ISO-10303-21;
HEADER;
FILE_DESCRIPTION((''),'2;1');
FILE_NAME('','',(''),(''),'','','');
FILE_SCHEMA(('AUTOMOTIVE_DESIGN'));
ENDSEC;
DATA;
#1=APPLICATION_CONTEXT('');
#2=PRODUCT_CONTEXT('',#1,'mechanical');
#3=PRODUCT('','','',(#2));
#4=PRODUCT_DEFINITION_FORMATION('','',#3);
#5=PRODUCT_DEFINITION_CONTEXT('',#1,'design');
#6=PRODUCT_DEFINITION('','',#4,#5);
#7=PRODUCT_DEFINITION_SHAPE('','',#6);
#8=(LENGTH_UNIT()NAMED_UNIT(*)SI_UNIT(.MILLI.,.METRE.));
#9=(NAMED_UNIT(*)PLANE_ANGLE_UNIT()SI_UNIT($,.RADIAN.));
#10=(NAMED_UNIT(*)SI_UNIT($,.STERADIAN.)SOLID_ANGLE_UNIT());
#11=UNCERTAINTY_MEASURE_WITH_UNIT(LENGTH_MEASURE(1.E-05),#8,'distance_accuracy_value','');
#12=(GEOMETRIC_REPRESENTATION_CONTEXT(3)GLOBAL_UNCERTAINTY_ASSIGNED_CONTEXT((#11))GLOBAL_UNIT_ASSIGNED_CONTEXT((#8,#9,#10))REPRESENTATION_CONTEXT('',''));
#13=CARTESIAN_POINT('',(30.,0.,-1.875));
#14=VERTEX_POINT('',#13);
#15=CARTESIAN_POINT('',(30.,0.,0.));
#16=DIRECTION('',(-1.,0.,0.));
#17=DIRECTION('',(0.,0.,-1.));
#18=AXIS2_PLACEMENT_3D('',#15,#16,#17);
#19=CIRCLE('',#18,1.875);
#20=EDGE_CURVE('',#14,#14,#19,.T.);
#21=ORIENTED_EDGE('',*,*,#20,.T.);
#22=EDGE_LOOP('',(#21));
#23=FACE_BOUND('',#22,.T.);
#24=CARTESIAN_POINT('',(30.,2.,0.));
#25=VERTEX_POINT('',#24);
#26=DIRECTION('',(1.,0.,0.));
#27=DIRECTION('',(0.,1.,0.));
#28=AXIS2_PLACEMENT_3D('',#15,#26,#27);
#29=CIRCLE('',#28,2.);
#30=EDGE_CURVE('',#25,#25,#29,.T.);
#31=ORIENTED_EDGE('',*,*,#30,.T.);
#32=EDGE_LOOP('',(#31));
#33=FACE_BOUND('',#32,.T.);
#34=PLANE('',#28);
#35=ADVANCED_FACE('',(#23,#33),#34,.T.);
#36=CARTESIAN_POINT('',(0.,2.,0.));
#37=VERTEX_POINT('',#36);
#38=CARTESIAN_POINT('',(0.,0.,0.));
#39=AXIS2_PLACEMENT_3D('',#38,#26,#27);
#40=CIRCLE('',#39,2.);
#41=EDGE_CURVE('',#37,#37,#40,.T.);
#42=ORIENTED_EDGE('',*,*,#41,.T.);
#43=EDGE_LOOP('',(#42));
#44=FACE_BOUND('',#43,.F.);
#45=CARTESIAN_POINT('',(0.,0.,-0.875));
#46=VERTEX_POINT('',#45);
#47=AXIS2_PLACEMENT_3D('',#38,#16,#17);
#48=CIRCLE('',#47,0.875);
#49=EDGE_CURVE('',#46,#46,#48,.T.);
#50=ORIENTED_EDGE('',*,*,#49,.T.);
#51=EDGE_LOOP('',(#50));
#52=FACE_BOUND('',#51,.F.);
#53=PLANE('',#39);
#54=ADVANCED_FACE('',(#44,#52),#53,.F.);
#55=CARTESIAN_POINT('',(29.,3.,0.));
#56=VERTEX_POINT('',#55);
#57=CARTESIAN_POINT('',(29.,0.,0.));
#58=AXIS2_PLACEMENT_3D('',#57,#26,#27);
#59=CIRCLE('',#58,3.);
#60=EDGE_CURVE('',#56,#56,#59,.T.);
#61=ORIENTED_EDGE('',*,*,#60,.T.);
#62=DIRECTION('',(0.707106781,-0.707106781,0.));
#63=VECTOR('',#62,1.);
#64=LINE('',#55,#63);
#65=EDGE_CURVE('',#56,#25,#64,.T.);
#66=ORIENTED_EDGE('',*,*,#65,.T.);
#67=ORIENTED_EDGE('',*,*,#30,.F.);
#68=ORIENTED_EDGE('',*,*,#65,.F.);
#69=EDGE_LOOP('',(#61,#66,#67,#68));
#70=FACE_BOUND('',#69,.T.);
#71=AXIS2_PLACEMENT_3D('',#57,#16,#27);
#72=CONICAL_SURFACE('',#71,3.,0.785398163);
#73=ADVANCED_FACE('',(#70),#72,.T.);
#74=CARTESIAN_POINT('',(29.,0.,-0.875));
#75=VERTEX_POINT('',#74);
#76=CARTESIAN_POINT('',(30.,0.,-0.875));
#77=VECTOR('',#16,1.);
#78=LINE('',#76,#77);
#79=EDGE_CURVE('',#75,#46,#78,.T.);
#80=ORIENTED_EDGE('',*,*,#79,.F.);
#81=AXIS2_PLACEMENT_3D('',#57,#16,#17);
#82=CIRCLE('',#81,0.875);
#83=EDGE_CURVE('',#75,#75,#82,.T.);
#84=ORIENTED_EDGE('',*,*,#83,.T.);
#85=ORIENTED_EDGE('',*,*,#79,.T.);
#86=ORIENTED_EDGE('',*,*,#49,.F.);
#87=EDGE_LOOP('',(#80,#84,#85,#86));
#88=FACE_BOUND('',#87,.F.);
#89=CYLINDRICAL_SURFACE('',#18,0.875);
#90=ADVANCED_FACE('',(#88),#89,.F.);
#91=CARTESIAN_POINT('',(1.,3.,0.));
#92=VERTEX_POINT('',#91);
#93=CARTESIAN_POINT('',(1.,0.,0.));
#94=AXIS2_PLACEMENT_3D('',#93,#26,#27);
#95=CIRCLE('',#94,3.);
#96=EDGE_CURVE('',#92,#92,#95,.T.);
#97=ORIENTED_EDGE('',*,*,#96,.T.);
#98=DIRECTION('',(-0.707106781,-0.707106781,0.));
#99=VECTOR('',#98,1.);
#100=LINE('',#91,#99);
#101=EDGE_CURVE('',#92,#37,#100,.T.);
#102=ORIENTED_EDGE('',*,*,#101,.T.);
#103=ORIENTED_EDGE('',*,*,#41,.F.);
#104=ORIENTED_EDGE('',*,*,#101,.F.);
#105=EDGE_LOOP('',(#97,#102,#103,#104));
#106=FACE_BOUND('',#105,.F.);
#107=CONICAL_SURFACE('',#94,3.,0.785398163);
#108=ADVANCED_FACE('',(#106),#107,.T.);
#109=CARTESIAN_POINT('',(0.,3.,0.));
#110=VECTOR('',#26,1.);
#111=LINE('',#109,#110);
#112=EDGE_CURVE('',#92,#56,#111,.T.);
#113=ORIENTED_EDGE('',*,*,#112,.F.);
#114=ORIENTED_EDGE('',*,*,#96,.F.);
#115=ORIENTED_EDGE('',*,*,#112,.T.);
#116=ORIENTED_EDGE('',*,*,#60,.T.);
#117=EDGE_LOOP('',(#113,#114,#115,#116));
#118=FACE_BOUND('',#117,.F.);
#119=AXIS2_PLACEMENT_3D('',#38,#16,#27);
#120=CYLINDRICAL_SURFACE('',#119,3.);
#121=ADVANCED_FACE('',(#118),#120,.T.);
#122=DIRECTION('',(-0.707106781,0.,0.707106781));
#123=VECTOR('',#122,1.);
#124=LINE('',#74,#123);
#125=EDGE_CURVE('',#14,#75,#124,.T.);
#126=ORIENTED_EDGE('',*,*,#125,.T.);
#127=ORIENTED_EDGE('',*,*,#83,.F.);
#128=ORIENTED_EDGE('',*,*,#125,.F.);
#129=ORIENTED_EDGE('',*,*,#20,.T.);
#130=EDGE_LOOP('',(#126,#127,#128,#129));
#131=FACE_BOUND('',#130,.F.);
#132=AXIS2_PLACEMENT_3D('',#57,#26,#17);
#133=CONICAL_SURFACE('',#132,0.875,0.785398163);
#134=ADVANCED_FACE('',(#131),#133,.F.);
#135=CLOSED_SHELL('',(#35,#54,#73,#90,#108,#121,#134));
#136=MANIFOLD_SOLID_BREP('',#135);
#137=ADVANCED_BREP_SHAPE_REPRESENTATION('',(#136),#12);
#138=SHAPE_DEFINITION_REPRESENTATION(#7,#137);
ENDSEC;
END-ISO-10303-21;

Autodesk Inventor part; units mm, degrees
ref_plane "YZ Plane" through (0, 0, 0) normal (1, 0, 0) x (0, 1, 0)
ref_plane "XZ Plane" through (0, 0, 0) normal (0, 1, 0) x (-1, 0, 0)
ref_plane "XY Plane" through (0, 0, 0) normal (0, 0, 1) x (1, 0, 0)
sketch "Szkic1" plane through (0, 0, 0) normal (1, 0, 0) x (0, 1, 0)
  circle A0 centre (0, 0) radius 3
  dimension "d0" = 6
extrude "Wyciągnięcie proste1" add sketch "Szkic1" along normal blind 30
sketch "Szkic2" plane through (30, 0, 0) normal (1, 0, 0) x (0, 0, -1)
  point P0 (0, 0)
  point P1 (0, 0)
hole "Otwór1" at (30, 0, 0) direction (-1, 0, 0) diameter 1.75 end through all
thread "Gwint1" size "M6x1" class "6g" standard "ANSI Metric M Profile" full length
chamfer "Faza1" distance 1 angle 45 2 edges at (30, -3, 0) (0, -3, 0)
chamfer "Faza2" distance 1 angle 45 1 edges at (30, 0, 0.875)
properties part number "throat"
